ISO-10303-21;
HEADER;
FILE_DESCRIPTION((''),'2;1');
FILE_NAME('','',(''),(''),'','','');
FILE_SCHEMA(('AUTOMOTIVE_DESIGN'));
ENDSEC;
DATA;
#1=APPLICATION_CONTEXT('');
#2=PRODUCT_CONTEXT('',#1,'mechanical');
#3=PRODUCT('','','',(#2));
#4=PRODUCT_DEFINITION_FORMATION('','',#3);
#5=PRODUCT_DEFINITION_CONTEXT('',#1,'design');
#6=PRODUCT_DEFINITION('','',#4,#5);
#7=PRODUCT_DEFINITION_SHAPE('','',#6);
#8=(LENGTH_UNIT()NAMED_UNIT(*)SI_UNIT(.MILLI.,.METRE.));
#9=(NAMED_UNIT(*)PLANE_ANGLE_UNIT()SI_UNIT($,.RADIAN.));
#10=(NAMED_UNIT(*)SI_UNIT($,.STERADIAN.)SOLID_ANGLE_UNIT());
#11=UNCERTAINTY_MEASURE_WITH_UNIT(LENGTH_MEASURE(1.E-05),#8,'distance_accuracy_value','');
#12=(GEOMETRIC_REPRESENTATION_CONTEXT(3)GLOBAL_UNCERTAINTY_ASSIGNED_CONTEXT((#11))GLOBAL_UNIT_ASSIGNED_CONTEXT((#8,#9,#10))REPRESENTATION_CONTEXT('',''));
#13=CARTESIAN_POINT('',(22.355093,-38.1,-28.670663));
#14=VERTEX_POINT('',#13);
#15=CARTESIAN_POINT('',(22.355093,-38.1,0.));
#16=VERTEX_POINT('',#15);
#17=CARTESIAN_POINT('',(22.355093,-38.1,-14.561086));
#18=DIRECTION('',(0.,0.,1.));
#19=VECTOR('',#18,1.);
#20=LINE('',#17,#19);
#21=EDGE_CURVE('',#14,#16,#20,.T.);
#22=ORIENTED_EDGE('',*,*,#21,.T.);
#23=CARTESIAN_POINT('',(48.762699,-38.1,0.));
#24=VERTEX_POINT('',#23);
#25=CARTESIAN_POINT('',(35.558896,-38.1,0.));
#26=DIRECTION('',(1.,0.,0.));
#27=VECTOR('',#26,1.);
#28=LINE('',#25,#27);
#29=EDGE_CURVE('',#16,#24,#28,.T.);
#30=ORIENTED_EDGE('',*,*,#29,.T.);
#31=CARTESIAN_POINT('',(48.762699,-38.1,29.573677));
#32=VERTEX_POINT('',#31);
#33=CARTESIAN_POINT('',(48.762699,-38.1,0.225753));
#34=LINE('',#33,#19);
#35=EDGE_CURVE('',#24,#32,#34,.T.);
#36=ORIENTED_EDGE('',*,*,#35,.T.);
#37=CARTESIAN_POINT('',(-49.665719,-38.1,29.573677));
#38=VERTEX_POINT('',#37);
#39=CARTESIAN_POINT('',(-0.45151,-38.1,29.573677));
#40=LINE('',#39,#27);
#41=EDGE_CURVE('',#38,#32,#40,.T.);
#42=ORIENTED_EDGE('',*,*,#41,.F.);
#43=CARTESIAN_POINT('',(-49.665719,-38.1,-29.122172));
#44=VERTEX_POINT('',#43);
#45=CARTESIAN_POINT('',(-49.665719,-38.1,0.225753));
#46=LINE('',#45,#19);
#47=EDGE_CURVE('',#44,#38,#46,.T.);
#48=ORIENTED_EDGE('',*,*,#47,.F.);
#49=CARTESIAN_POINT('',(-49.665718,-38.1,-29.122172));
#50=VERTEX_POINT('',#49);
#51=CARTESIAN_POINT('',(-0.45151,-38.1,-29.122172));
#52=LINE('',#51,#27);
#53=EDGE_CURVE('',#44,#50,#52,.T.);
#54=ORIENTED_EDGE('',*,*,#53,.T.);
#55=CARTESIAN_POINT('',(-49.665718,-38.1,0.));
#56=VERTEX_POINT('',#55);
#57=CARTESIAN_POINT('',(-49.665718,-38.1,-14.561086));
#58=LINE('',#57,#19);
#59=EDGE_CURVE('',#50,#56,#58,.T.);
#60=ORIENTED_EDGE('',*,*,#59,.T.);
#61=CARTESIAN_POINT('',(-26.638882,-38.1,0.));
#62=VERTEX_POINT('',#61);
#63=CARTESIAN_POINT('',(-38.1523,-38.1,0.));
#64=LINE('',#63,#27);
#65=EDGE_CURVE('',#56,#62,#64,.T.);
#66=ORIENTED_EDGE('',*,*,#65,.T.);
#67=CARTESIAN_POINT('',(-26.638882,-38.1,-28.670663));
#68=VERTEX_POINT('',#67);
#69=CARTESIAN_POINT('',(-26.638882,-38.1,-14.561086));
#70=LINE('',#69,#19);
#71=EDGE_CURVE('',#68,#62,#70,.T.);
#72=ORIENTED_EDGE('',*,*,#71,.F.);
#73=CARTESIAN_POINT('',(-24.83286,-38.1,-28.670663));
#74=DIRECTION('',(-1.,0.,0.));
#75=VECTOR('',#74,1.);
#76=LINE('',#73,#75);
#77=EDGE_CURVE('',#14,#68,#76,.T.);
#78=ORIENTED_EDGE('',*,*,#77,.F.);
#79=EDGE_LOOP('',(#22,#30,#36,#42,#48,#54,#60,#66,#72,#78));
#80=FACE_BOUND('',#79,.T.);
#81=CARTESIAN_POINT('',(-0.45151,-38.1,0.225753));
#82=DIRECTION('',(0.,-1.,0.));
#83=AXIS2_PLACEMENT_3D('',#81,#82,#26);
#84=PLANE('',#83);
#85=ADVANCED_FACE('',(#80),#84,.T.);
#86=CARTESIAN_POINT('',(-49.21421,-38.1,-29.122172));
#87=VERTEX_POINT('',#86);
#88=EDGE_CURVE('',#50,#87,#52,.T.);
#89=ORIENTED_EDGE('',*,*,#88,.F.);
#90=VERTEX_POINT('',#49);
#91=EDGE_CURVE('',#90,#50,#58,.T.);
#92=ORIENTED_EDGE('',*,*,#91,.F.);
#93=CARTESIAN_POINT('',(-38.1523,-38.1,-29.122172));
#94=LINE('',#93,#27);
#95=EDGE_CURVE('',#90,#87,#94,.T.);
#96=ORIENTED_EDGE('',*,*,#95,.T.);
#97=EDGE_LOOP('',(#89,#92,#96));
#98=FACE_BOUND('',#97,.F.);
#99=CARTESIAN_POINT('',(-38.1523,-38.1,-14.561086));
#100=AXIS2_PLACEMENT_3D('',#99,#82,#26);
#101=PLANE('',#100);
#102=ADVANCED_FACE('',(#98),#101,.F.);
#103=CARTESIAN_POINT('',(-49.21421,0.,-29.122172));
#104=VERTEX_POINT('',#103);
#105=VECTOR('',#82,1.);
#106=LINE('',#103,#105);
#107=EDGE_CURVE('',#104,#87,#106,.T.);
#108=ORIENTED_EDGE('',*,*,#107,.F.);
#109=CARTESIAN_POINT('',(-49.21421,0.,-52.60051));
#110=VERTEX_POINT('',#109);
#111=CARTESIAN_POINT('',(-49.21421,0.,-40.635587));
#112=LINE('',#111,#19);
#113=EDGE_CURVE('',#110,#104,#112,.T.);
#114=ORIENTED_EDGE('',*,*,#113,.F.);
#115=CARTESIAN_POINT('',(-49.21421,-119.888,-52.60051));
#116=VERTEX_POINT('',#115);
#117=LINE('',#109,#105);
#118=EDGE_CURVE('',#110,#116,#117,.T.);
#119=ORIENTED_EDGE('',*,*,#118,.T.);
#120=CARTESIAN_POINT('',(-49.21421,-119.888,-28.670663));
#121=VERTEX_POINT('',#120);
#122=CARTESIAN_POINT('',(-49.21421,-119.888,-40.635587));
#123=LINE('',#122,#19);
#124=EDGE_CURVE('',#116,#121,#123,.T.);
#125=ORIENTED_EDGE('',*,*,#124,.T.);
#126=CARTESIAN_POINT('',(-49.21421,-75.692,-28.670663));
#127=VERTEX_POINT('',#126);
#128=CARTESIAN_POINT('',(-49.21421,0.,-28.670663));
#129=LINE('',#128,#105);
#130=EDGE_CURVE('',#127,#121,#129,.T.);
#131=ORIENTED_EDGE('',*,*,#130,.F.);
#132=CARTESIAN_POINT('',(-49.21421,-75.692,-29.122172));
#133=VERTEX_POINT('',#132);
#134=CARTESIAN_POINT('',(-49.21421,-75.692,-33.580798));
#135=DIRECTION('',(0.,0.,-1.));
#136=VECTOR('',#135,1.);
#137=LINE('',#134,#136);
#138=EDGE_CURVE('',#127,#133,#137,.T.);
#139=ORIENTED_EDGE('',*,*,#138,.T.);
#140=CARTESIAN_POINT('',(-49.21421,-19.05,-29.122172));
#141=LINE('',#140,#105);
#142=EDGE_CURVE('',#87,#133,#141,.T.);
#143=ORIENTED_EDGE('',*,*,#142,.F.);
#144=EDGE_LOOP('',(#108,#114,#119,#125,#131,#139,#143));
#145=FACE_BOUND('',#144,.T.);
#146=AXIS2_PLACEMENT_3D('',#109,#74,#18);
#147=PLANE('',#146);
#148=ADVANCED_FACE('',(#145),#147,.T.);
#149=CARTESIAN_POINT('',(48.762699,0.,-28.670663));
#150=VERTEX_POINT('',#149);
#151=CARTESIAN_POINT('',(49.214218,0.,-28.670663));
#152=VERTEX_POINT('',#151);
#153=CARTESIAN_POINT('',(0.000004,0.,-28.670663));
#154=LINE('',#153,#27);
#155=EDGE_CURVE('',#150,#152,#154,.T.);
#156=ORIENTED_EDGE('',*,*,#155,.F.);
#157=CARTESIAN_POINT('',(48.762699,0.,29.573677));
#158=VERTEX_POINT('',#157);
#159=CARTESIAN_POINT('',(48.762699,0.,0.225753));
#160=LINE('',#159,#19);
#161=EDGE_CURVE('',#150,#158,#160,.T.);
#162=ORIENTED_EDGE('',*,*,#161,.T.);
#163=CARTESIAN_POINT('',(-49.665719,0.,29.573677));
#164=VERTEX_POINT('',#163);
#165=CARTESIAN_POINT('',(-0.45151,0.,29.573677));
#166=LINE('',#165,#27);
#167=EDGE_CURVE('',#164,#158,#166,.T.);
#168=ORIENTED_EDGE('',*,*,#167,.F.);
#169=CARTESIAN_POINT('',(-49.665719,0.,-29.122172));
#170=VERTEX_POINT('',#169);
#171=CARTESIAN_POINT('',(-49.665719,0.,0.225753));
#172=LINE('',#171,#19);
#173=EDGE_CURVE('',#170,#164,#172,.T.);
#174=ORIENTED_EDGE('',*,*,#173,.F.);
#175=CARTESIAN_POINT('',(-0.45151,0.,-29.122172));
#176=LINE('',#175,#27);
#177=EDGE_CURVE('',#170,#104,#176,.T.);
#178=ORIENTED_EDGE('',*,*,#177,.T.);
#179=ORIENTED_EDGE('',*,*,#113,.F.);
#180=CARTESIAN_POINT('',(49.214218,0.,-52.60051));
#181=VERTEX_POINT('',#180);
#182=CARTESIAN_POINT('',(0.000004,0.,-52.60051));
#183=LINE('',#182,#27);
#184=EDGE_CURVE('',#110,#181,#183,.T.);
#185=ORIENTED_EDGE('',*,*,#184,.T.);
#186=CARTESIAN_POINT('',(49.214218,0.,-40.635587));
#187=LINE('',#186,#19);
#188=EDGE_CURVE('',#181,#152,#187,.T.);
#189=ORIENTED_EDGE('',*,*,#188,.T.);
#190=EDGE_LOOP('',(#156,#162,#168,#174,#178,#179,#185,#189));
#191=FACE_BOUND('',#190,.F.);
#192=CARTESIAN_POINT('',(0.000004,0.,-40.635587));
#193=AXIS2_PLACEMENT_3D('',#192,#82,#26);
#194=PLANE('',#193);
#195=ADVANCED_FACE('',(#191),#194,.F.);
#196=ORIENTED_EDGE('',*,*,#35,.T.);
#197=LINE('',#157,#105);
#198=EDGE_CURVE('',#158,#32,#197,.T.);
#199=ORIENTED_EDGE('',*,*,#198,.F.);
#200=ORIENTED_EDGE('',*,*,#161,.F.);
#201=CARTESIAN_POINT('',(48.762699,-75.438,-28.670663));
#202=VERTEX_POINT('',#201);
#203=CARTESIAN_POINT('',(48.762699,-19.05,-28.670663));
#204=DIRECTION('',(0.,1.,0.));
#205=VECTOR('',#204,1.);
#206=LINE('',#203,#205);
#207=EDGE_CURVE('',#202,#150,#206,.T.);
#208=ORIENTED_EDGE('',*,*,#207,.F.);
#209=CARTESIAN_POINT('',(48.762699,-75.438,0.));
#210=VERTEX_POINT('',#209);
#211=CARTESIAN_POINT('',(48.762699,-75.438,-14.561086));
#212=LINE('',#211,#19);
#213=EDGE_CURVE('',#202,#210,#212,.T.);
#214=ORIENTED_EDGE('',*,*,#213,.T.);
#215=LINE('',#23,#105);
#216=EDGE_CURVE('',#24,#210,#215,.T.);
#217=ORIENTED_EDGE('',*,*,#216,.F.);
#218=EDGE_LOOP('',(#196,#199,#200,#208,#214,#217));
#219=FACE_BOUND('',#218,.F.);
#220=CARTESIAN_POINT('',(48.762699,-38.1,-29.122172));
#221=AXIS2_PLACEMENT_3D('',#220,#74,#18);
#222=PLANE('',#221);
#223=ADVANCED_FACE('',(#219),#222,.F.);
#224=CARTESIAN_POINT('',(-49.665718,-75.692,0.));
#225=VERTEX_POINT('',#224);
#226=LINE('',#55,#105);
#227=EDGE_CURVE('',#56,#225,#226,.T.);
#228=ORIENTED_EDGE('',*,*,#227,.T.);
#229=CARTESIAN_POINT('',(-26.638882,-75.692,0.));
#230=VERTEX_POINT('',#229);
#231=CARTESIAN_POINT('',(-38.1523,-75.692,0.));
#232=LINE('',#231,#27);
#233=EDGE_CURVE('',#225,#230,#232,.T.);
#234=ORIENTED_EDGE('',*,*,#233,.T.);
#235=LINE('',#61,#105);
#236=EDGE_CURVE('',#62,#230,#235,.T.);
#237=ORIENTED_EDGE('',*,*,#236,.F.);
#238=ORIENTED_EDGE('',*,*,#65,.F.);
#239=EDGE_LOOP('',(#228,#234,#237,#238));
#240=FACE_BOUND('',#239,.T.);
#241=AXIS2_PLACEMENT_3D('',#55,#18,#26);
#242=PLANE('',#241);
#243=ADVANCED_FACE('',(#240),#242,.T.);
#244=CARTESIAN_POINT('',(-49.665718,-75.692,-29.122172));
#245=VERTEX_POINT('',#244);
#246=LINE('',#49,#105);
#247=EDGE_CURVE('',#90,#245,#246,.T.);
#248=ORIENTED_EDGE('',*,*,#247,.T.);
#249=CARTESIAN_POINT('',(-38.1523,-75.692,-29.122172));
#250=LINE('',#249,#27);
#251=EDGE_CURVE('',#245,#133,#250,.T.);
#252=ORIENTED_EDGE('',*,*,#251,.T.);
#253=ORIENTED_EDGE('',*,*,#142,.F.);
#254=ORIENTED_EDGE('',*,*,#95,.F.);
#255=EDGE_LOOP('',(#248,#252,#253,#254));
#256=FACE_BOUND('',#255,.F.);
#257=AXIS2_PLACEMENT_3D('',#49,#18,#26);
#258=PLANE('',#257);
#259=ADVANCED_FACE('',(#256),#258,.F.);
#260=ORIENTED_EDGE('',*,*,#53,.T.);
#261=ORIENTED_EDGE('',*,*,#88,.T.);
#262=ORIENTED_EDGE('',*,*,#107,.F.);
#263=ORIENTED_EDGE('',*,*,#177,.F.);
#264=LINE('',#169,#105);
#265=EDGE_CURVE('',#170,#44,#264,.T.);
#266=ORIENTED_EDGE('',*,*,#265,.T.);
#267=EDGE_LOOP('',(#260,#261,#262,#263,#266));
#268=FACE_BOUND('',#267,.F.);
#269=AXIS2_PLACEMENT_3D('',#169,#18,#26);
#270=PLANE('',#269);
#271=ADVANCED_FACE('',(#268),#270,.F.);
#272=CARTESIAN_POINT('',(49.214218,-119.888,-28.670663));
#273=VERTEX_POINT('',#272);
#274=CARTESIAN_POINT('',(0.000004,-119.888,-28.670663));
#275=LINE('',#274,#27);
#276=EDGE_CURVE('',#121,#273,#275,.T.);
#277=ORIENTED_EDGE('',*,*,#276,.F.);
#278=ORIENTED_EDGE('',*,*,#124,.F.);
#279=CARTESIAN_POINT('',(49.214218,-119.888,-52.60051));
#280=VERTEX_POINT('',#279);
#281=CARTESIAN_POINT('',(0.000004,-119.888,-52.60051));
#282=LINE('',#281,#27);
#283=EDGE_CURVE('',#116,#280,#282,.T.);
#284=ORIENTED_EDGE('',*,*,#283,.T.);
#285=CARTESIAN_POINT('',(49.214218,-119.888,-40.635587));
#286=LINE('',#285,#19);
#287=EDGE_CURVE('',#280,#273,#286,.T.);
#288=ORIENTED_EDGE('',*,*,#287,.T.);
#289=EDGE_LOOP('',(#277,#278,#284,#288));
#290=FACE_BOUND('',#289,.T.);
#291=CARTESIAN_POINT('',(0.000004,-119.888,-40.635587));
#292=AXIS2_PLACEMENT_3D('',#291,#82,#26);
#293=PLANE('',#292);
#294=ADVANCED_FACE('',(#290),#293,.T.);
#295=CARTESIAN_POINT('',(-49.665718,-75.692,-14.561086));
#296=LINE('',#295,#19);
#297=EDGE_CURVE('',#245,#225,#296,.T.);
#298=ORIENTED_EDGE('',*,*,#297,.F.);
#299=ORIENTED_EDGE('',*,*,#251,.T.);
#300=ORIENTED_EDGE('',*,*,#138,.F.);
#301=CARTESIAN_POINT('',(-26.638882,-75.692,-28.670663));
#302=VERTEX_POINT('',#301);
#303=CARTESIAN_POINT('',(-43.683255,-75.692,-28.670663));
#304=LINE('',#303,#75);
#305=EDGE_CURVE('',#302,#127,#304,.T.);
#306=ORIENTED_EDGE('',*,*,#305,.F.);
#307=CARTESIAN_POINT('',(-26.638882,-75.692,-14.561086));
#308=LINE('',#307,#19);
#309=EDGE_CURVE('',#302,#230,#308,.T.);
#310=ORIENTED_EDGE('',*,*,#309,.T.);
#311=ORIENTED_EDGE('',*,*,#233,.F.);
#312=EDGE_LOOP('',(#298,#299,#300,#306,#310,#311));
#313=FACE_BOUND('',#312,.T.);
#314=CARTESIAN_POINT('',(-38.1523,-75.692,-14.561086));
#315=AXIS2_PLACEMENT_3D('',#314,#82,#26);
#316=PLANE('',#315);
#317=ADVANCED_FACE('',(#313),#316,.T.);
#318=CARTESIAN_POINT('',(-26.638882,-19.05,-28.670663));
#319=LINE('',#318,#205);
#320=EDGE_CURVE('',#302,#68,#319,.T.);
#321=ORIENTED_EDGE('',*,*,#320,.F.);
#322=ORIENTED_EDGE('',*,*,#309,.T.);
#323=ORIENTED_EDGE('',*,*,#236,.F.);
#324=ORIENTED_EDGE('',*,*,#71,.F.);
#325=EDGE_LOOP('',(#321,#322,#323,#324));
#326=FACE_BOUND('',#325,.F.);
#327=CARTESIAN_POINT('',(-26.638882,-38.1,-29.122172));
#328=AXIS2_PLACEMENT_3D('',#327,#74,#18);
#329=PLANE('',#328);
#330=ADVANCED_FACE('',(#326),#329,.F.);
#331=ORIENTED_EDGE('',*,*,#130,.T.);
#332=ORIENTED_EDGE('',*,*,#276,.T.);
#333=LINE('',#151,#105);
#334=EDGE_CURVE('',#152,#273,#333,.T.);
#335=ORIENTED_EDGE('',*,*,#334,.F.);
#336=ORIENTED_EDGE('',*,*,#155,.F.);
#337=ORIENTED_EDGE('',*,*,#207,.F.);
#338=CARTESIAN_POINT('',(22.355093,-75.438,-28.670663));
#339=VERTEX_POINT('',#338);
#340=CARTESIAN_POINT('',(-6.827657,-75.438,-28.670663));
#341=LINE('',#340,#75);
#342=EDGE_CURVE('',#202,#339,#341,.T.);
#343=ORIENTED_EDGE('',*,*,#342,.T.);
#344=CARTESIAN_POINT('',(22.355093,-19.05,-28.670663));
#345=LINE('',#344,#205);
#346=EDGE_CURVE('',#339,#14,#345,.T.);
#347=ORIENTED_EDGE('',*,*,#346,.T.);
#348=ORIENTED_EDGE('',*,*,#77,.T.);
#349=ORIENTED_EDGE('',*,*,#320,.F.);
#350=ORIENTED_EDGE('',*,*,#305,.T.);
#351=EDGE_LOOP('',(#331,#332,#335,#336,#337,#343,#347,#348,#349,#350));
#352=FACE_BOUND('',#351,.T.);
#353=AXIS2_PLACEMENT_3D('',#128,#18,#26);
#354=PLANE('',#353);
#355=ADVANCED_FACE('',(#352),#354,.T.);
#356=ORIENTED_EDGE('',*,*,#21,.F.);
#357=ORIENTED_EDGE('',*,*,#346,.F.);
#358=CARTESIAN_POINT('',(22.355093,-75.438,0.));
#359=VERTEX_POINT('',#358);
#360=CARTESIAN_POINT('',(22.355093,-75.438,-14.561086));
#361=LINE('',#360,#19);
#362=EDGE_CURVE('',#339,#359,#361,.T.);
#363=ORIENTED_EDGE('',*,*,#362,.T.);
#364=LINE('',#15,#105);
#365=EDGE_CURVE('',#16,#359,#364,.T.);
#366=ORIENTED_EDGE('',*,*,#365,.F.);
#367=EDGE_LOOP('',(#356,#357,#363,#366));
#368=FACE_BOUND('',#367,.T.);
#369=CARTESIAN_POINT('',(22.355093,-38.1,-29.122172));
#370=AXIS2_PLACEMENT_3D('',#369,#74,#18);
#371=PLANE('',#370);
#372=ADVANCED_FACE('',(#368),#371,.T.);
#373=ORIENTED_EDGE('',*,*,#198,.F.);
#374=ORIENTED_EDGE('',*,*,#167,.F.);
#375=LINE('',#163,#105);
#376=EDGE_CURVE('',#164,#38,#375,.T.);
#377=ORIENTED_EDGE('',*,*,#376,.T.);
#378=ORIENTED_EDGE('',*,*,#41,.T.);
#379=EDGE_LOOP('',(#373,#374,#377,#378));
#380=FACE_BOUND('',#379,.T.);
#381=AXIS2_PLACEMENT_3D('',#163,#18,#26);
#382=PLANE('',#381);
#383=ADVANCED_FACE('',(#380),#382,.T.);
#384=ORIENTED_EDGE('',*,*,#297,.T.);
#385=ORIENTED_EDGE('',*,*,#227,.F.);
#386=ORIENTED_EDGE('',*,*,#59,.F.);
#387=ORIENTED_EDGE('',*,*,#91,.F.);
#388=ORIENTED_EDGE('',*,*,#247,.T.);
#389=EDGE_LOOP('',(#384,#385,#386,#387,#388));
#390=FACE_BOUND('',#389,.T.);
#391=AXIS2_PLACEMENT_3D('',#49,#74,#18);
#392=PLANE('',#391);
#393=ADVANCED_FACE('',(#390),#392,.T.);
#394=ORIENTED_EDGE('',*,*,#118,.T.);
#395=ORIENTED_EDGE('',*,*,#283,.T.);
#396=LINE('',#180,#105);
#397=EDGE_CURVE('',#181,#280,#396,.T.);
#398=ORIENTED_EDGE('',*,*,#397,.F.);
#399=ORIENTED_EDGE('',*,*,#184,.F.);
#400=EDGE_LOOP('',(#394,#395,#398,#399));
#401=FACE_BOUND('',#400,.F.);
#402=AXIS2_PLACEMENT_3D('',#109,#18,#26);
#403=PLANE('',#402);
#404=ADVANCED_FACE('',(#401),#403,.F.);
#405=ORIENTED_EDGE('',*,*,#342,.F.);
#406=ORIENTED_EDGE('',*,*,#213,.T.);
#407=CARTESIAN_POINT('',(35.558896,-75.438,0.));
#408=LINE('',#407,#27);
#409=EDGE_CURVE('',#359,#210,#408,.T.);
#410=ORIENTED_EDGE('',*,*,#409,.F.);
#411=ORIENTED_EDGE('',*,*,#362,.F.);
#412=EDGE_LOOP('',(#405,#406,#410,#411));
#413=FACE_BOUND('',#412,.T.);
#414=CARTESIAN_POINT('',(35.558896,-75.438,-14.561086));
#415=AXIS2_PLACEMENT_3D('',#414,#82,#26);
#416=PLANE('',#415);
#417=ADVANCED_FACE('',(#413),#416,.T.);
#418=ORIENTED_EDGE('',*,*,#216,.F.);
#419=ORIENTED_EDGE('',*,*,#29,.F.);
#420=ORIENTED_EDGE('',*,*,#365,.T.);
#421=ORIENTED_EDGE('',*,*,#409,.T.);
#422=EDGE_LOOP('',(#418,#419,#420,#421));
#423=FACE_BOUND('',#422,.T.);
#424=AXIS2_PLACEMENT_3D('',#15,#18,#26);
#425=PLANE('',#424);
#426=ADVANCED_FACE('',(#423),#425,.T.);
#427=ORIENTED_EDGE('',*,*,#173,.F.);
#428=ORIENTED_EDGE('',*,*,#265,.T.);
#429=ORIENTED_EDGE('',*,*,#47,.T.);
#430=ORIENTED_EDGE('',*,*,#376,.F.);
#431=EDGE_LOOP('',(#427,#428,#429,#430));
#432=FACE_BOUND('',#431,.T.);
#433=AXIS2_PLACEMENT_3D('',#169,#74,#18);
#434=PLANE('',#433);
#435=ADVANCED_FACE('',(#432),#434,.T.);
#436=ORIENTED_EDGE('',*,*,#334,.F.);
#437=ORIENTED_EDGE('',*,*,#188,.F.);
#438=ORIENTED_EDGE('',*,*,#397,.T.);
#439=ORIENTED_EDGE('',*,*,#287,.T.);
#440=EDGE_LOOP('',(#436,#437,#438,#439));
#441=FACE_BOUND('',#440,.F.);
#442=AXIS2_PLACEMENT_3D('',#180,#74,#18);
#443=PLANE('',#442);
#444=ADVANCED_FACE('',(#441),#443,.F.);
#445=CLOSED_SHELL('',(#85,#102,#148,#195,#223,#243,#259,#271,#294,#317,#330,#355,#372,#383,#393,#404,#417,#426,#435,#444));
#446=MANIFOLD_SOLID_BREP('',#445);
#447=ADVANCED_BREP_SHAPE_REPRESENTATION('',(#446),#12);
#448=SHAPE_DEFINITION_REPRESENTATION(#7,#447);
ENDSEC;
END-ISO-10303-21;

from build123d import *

# Parameters (mm, degrees)
F0_W     = 98.428418
F0_H     = 58.695849
F1_DEPTH = 38.1
F2_W     = 23.026837
F2_H     = 29.122172
F3_DEPTH = 37.592
F4_W     = 26.407606
F4_H     = 29.122172
F5_DEPTH = 37.338
F6_W     = 98.428428
F6_H     = 23.929847
F7_DEPTH = 119.888


with BuildPart() as f1:
    # F0 (on Front) → F1 (new body)
    with BuildSketch(Plane.XZ):
        with Locations((-0.45151, 0.225753)):
            Rectangle(F0_W, F0_H)
    extrude(amount=F1_DEPTH)

    # F2 (on face) → F3 (join)
    with BuildSketch(Plane.XZ.offset(38.1)):
        with Locations((-38.1523, -14.561086)):
            Rectangle(F2_W, F2_H)
    extrude(amount=F3_DEPTH)

    # F4 (on face) → F5 (join)
    with BuildSketch(Plane.XZ.offset(38.1)):
        with Locations((35.558896, -14.561086)):
            Rectangle(F4_W, F4_H)
    extrude(amount=F5_DEPTH)

    # F6 (on Front) → F7 (join)
    with BuildSketch(Plane.XZ):
        with Locations((4e-06, -40.635587)):
            Rectangle(F6_W, F6_H)
    extrude(amount=F7_DEPTH)


solid = f1.part
